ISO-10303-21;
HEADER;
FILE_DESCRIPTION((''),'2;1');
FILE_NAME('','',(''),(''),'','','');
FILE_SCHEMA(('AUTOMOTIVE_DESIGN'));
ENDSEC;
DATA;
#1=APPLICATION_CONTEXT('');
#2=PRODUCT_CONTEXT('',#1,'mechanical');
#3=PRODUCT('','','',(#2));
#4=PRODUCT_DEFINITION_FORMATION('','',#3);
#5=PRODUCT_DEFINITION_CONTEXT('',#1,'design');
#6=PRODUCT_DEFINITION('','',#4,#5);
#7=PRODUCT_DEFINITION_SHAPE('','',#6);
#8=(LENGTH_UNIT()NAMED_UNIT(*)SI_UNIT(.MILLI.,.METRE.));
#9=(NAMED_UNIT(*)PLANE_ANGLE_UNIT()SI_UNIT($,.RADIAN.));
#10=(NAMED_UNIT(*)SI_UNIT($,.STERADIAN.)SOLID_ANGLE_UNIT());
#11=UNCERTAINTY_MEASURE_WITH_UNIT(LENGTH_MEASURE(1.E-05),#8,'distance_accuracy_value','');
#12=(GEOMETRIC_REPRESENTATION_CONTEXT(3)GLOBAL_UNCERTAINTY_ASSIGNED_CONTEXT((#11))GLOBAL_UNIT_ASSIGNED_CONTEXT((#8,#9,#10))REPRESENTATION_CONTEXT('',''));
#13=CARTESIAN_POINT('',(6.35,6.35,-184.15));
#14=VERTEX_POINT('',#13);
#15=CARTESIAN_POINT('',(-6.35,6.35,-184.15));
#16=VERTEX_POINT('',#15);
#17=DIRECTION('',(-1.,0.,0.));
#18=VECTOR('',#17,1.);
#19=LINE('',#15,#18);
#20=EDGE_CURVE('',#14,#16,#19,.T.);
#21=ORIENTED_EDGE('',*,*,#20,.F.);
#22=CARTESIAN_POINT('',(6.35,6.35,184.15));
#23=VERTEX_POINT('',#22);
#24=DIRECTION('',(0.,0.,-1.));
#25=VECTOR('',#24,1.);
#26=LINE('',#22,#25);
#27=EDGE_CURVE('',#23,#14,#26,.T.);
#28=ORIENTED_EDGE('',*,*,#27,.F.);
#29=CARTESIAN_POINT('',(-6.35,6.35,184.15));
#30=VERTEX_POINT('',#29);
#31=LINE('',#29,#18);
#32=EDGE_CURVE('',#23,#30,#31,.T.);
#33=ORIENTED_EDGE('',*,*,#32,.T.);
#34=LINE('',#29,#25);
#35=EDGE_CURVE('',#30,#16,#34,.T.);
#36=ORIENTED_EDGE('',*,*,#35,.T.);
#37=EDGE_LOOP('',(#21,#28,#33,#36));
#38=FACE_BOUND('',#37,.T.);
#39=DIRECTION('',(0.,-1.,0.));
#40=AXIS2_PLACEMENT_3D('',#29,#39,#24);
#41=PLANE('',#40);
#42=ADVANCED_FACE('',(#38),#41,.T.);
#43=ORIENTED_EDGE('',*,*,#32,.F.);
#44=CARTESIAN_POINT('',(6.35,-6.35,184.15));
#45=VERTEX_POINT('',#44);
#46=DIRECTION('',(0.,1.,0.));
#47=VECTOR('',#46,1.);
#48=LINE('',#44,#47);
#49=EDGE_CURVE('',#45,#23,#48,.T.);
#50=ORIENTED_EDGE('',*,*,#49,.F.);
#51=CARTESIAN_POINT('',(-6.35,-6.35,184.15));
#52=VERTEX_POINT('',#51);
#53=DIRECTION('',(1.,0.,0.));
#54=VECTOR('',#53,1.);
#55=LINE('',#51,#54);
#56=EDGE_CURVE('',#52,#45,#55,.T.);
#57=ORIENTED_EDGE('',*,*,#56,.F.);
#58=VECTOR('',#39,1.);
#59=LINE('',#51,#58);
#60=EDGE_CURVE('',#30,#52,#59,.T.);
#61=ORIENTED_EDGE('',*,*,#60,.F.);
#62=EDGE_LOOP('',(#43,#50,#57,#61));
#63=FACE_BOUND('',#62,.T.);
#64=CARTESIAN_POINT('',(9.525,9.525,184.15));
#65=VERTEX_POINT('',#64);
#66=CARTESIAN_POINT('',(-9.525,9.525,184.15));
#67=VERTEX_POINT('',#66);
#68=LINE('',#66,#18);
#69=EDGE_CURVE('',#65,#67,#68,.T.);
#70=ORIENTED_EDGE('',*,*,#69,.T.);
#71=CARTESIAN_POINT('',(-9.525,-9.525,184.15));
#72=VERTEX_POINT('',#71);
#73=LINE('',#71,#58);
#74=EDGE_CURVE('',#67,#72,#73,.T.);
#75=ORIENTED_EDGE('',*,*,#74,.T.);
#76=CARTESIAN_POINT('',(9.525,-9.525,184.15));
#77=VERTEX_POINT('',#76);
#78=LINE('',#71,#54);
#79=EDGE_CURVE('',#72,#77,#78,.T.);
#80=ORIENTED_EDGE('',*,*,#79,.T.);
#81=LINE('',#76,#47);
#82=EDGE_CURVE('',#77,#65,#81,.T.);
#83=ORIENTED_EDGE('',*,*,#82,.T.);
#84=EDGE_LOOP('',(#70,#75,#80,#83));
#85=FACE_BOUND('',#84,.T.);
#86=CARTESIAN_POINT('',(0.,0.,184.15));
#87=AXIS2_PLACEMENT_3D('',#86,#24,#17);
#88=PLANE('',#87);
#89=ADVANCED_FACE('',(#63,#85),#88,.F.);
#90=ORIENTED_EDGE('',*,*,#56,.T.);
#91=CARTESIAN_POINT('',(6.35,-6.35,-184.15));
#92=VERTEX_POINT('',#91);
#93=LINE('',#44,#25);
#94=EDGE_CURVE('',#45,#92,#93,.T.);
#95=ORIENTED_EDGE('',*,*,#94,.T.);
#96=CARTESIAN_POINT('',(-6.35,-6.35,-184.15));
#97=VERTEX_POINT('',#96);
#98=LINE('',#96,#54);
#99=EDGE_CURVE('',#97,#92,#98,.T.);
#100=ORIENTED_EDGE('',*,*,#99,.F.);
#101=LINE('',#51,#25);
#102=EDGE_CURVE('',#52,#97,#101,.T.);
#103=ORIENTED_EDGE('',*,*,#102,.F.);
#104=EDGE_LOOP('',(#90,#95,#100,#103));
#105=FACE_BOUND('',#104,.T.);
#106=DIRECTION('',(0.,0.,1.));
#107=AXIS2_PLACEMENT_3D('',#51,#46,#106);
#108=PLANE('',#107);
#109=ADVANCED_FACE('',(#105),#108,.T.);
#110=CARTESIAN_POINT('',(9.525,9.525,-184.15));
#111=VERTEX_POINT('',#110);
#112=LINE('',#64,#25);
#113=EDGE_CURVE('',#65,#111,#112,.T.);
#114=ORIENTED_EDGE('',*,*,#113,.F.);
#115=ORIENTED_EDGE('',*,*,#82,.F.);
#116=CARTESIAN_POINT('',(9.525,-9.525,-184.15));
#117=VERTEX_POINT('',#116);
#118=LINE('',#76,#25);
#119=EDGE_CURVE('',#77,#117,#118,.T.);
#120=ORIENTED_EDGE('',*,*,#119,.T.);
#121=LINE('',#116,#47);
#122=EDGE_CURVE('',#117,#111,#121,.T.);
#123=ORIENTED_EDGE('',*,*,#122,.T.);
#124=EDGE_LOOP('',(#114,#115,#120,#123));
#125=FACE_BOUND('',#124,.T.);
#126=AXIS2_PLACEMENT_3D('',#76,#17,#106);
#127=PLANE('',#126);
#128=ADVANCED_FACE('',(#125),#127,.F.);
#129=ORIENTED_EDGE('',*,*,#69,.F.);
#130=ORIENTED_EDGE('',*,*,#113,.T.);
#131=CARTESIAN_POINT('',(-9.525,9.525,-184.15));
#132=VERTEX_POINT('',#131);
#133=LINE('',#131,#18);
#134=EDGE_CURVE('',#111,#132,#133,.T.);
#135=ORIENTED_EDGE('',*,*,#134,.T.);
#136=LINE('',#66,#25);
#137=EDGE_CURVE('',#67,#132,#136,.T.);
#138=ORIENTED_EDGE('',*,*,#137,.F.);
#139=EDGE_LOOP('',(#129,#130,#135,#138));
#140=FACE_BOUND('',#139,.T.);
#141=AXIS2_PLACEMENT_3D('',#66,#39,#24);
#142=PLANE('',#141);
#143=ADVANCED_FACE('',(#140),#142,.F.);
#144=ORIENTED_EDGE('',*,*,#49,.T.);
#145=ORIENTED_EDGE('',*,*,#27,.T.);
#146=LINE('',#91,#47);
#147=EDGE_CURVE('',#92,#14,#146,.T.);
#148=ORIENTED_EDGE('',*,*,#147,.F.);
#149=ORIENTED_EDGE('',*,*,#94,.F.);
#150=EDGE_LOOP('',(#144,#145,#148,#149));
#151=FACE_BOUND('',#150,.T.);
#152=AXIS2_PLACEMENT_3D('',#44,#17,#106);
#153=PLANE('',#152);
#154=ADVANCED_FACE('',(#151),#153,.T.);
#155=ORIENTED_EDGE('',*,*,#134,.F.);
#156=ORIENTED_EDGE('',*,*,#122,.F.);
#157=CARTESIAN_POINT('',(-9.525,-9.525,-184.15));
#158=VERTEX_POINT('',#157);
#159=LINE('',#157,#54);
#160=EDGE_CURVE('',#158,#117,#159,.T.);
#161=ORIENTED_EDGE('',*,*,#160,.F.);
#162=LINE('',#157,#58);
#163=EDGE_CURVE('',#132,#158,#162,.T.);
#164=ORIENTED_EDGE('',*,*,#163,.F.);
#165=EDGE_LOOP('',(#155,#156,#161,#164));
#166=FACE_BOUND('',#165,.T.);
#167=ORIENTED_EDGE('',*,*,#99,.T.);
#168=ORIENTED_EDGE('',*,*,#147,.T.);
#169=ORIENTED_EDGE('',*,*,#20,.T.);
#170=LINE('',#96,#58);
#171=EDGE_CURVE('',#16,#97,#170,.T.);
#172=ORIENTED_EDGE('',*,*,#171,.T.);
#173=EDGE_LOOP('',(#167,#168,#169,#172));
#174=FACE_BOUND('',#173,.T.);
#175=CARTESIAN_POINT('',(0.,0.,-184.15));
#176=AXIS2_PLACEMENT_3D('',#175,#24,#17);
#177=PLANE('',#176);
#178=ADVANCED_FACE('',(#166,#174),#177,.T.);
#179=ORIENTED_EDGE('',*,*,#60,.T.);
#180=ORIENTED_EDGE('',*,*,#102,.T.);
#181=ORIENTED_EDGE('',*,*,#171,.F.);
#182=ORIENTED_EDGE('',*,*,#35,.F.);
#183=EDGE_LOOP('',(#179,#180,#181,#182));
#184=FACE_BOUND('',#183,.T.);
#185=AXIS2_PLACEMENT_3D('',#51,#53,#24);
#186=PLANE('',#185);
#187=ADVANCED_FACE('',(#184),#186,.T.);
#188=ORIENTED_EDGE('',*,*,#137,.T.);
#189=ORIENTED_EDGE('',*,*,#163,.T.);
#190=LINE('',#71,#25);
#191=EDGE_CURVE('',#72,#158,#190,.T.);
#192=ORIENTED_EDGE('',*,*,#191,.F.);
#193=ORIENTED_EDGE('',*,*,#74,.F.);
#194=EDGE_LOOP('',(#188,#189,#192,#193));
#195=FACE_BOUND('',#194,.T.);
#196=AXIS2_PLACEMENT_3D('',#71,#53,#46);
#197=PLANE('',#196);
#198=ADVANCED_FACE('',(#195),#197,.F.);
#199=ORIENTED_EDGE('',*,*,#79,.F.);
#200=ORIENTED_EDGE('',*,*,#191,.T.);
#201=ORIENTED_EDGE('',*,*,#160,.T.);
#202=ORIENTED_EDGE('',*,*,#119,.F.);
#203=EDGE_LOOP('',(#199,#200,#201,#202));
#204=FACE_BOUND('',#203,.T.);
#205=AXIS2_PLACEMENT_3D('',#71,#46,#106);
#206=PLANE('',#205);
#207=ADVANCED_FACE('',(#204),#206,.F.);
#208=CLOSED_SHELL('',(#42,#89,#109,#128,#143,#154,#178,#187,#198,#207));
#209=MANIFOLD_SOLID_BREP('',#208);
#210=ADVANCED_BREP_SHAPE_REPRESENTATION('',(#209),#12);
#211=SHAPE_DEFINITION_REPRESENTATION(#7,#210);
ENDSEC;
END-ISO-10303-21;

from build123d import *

# Parameters (mm, degrees)
SKETCH1_W           = 19.05
SKETCH1_H           = 19.05
SKETCH1_W_2         = 12.7
SKETCH1_H_2         = 12.7
BOSS_EXTRUDE1_DEPTH = 184.15


with BuildPart() as part:
    # Sketch1 → Boss-Extrude1 (new, symmetric)
    with BuildSketch(Plane.XY):
        Rectangle(SKETCH1_W, SKETCH1_H)
        Rectangle(SKETCH1_W_2, SKETCH1_H_2, mode=Mode.SUBTRACT)
    extrude(amount=BOSS_EXTRUDE1_DEPTH, both=True)


solid = part.part
